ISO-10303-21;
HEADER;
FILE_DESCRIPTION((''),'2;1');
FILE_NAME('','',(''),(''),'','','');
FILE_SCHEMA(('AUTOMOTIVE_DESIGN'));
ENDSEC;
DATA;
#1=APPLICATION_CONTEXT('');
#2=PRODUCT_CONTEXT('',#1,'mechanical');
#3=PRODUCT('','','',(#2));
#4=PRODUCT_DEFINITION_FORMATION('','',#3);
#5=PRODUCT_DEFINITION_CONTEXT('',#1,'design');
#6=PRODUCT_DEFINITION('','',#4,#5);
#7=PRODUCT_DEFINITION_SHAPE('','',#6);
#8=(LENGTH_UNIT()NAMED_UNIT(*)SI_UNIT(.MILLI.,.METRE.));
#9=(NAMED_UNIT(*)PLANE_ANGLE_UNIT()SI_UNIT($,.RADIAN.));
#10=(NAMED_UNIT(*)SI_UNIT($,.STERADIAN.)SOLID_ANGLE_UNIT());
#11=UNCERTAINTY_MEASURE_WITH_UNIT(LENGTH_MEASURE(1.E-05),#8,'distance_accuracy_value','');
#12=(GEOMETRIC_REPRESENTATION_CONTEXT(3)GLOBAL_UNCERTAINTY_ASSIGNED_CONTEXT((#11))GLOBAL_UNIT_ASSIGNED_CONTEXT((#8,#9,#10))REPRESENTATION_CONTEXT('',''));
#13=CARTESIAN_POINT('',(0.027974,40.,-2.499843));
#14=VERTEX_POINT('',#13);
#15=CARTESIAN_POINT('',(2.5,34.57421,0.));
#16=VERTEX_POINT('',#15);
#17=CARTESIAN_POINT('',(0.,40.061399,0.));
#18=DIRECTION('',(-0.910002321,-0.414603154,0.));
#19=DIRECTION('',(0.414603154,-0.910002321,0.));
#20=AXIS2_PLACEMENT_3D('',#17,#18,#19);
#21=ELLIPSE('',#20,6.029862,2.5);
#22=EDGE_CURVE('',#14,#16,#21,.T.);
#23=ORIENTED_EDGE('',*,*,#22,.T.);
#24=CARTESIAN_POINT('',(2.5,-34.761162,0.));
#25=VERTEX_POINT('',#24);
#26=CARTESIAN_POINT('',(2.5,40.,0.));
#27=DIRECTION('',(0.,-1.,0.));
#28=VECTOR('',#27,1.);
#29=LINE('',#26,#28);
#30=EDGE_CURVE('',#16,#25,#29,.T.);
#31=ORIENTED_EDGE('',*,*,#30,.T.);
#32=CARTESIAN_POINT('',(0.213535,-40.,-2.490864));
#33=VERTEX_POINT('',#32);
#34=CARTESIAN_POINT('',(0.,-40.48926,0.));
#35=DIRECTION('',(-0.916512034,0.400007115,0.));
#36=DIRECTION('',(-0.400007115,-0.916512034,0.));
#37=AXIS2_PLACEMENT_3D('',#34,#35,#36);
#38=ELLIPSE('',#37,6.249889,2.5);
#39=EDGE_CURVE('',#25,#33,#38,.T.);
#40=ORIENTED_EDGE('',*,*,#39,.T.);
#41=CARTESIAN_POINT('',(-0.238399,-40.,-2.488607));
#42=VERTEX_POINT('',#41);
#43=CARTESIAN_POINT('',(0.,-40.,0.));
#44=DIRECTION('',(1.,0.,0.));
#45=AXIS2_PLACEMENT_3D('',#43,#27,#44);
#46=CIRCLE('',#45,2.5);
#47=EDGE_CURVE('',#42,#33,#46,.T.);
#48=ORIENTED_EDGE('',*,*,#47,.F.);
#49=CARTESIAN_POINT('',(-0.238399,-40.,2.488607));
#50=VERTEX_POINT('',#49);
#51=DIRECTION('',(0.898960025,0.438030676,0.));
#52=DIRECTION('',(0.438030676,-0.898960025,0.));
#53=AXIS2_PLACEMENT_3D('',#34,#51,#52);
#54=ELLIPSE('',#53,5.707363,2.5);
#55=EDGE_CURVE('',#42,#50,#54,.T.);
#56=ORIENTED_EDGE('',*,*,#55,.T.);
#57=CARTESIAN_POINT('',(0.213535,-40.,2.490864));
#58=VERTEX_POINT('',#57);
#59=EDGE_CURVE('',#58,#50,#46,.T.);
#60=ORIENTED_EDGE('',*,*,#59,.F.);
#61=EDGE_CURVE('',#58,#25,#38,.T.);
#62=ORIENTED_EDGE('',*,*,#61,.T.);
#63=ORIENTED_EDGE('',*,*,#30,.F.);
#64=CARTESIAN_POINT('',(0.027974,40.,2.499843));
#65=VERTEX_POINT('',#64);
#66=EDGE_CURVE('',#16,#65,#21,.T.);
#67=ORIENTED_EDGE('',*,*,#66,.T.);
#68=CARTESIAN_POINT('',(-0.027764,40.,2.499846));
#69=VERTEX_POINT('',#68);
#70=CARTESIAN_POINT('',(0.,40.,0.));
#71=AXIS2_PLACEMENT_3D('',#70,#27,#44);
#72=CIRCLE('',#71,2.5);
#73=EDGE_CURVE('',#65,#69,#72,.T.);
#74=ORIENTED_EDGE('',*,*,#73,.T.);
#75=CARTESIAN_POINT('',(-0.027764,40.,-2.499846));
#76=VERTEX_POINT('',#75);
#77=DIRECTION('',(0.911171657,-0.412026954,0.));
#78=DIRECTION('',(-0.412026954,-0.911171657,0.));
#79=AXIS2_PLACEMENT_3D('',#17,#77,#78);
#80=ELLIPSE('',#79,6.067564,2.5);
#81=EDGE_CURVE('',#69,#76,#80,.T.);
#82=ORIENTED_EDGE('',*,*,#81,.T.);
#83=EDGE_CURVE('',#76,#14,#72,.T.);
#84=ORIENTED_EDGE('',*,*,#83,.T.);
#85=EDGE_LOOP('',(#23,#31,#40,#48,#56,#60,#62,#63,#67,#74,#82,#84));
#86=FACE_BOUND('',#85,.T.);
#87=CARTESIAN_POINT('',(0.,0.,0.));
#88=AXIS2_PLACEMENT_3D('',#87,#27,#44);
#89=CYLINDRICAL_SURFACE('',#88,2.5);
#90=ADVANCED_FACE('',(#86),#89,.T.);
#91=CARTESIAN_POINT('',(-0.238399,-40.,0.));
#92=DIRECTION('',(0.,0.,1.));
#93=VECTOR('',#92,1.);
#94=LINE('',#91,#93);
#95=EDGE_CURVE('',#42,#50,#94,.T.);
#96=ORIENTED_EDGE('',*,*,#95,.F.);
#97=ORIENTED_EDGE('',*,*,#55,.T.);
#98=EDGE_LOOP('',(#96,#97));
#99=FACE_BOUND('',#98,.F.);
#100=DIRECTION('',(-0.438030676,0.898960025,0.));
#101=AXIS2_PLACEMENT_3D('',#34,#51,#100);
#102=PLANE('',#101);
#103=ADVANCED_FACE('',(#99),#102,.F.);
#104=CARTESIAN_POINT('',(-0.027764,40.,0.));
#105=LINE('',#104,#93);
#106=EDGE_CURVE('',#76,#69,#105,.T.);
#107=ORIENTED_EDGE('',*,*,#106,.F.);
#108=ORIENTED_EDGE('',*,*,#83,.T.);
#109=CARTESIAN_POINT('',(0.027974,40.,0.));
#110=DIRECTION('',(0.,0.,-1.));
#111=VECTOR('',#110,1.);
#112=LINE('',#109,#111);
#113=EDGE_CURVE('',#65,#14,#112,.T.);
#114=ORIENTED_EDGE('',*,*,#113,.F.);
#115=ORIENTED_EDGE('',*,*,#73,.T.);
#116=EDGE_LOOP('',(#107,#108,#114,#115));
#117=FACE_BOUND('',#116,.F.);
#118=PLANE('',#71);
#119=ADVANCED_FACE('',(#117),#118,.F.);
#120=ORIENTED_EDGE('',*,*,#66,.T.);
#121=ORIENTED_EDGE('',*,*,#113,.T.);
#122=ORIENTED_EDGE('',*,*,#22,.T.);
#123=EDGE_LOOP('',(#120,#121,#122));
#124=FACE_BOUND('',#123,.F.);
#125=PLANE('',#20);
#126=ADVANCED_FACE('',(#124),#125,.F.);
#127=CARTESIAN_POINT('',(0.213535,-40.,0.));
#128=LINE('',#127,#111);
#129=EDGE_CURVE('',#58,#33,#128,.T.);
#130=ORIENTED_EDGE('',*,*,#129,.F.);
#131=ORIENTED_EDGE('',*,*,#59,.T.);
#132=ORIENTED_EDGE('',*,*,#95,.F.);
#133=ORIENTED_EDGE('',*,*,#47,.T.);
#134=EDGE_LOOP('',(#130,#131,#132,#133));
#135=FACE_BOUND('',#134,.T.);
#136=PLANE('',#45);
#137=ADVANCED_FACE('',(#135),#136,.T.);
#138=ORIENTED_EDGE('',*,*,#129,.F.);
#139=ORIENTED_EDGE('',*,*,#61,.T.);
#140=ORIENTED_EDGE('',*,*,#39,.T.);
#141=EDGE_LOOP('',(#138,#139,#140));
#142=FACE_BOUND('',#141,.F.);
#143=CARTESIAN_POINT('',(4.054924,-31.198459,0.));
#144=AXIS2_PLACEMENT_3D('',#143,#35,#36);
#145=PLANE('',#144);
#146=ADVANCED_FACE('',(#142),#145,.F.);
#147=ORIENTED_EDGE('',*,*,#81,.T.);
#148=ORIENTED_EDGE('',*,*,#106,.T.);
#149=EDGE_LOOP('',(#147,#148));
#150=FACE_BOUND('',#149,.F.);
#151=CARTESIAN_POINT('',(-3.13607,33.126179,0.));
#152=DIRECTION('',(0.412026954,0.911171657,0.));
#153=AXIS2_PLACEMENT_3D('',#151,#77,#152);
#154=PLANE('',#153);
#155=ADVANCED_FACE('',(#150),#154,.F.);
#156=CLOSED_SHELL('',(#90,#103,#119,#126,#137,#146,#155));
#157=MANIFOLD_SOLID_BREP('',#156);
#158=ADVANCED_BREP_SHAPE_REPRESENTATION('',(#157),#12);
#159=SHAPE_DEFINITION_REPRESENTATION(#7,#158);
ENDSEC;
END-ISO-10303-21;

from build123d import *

# Parameters (mm, degrees)
F0_R     = 2.5
F1_DEPTH = 40
F4_DEPTH = 12.5
F5_DEPTH = 12.5


with BuildPart() as f1:
    # F0 (on Front) → F1 (new body, symmetric)
    with BuildSketch(Plane.XZ):
        Circle(F0_R)
    extrude(amount=F1_DEPTH, both=True)

    # F3 (on Top) → F4 (cut, symmetric)
    with BuildSketch(Plane.XY):
        Polygon((0, -40.4892601073), (-4.2708204128, -31.7243561149), (-4.5337388292, -41.365750134), (5.0189574249, -41.1904491484), (5.2598807418, -31.7243561149), (4.0549240075, -31.1984587461), align=None)
    extrude(amount=F4_DEPTH, both=True, mode=Mode.SUBTRACT)

    # F2 (on Top) → F5 (cut, symmetric)
    with BuildSketch(Plane.XY):
        Polygon((-3.1360695139, 40.8483743668), (-3.1360695139, 33.1261791289), (0, 40.0613993406), (3.1597327907, 33.1261791289), (3.4056627192, 40.8483743668), align=None)
    extrude(amount=F5_DEPTH, both=True, mode=Mode.SUBTRACT)


solid = f1.part
